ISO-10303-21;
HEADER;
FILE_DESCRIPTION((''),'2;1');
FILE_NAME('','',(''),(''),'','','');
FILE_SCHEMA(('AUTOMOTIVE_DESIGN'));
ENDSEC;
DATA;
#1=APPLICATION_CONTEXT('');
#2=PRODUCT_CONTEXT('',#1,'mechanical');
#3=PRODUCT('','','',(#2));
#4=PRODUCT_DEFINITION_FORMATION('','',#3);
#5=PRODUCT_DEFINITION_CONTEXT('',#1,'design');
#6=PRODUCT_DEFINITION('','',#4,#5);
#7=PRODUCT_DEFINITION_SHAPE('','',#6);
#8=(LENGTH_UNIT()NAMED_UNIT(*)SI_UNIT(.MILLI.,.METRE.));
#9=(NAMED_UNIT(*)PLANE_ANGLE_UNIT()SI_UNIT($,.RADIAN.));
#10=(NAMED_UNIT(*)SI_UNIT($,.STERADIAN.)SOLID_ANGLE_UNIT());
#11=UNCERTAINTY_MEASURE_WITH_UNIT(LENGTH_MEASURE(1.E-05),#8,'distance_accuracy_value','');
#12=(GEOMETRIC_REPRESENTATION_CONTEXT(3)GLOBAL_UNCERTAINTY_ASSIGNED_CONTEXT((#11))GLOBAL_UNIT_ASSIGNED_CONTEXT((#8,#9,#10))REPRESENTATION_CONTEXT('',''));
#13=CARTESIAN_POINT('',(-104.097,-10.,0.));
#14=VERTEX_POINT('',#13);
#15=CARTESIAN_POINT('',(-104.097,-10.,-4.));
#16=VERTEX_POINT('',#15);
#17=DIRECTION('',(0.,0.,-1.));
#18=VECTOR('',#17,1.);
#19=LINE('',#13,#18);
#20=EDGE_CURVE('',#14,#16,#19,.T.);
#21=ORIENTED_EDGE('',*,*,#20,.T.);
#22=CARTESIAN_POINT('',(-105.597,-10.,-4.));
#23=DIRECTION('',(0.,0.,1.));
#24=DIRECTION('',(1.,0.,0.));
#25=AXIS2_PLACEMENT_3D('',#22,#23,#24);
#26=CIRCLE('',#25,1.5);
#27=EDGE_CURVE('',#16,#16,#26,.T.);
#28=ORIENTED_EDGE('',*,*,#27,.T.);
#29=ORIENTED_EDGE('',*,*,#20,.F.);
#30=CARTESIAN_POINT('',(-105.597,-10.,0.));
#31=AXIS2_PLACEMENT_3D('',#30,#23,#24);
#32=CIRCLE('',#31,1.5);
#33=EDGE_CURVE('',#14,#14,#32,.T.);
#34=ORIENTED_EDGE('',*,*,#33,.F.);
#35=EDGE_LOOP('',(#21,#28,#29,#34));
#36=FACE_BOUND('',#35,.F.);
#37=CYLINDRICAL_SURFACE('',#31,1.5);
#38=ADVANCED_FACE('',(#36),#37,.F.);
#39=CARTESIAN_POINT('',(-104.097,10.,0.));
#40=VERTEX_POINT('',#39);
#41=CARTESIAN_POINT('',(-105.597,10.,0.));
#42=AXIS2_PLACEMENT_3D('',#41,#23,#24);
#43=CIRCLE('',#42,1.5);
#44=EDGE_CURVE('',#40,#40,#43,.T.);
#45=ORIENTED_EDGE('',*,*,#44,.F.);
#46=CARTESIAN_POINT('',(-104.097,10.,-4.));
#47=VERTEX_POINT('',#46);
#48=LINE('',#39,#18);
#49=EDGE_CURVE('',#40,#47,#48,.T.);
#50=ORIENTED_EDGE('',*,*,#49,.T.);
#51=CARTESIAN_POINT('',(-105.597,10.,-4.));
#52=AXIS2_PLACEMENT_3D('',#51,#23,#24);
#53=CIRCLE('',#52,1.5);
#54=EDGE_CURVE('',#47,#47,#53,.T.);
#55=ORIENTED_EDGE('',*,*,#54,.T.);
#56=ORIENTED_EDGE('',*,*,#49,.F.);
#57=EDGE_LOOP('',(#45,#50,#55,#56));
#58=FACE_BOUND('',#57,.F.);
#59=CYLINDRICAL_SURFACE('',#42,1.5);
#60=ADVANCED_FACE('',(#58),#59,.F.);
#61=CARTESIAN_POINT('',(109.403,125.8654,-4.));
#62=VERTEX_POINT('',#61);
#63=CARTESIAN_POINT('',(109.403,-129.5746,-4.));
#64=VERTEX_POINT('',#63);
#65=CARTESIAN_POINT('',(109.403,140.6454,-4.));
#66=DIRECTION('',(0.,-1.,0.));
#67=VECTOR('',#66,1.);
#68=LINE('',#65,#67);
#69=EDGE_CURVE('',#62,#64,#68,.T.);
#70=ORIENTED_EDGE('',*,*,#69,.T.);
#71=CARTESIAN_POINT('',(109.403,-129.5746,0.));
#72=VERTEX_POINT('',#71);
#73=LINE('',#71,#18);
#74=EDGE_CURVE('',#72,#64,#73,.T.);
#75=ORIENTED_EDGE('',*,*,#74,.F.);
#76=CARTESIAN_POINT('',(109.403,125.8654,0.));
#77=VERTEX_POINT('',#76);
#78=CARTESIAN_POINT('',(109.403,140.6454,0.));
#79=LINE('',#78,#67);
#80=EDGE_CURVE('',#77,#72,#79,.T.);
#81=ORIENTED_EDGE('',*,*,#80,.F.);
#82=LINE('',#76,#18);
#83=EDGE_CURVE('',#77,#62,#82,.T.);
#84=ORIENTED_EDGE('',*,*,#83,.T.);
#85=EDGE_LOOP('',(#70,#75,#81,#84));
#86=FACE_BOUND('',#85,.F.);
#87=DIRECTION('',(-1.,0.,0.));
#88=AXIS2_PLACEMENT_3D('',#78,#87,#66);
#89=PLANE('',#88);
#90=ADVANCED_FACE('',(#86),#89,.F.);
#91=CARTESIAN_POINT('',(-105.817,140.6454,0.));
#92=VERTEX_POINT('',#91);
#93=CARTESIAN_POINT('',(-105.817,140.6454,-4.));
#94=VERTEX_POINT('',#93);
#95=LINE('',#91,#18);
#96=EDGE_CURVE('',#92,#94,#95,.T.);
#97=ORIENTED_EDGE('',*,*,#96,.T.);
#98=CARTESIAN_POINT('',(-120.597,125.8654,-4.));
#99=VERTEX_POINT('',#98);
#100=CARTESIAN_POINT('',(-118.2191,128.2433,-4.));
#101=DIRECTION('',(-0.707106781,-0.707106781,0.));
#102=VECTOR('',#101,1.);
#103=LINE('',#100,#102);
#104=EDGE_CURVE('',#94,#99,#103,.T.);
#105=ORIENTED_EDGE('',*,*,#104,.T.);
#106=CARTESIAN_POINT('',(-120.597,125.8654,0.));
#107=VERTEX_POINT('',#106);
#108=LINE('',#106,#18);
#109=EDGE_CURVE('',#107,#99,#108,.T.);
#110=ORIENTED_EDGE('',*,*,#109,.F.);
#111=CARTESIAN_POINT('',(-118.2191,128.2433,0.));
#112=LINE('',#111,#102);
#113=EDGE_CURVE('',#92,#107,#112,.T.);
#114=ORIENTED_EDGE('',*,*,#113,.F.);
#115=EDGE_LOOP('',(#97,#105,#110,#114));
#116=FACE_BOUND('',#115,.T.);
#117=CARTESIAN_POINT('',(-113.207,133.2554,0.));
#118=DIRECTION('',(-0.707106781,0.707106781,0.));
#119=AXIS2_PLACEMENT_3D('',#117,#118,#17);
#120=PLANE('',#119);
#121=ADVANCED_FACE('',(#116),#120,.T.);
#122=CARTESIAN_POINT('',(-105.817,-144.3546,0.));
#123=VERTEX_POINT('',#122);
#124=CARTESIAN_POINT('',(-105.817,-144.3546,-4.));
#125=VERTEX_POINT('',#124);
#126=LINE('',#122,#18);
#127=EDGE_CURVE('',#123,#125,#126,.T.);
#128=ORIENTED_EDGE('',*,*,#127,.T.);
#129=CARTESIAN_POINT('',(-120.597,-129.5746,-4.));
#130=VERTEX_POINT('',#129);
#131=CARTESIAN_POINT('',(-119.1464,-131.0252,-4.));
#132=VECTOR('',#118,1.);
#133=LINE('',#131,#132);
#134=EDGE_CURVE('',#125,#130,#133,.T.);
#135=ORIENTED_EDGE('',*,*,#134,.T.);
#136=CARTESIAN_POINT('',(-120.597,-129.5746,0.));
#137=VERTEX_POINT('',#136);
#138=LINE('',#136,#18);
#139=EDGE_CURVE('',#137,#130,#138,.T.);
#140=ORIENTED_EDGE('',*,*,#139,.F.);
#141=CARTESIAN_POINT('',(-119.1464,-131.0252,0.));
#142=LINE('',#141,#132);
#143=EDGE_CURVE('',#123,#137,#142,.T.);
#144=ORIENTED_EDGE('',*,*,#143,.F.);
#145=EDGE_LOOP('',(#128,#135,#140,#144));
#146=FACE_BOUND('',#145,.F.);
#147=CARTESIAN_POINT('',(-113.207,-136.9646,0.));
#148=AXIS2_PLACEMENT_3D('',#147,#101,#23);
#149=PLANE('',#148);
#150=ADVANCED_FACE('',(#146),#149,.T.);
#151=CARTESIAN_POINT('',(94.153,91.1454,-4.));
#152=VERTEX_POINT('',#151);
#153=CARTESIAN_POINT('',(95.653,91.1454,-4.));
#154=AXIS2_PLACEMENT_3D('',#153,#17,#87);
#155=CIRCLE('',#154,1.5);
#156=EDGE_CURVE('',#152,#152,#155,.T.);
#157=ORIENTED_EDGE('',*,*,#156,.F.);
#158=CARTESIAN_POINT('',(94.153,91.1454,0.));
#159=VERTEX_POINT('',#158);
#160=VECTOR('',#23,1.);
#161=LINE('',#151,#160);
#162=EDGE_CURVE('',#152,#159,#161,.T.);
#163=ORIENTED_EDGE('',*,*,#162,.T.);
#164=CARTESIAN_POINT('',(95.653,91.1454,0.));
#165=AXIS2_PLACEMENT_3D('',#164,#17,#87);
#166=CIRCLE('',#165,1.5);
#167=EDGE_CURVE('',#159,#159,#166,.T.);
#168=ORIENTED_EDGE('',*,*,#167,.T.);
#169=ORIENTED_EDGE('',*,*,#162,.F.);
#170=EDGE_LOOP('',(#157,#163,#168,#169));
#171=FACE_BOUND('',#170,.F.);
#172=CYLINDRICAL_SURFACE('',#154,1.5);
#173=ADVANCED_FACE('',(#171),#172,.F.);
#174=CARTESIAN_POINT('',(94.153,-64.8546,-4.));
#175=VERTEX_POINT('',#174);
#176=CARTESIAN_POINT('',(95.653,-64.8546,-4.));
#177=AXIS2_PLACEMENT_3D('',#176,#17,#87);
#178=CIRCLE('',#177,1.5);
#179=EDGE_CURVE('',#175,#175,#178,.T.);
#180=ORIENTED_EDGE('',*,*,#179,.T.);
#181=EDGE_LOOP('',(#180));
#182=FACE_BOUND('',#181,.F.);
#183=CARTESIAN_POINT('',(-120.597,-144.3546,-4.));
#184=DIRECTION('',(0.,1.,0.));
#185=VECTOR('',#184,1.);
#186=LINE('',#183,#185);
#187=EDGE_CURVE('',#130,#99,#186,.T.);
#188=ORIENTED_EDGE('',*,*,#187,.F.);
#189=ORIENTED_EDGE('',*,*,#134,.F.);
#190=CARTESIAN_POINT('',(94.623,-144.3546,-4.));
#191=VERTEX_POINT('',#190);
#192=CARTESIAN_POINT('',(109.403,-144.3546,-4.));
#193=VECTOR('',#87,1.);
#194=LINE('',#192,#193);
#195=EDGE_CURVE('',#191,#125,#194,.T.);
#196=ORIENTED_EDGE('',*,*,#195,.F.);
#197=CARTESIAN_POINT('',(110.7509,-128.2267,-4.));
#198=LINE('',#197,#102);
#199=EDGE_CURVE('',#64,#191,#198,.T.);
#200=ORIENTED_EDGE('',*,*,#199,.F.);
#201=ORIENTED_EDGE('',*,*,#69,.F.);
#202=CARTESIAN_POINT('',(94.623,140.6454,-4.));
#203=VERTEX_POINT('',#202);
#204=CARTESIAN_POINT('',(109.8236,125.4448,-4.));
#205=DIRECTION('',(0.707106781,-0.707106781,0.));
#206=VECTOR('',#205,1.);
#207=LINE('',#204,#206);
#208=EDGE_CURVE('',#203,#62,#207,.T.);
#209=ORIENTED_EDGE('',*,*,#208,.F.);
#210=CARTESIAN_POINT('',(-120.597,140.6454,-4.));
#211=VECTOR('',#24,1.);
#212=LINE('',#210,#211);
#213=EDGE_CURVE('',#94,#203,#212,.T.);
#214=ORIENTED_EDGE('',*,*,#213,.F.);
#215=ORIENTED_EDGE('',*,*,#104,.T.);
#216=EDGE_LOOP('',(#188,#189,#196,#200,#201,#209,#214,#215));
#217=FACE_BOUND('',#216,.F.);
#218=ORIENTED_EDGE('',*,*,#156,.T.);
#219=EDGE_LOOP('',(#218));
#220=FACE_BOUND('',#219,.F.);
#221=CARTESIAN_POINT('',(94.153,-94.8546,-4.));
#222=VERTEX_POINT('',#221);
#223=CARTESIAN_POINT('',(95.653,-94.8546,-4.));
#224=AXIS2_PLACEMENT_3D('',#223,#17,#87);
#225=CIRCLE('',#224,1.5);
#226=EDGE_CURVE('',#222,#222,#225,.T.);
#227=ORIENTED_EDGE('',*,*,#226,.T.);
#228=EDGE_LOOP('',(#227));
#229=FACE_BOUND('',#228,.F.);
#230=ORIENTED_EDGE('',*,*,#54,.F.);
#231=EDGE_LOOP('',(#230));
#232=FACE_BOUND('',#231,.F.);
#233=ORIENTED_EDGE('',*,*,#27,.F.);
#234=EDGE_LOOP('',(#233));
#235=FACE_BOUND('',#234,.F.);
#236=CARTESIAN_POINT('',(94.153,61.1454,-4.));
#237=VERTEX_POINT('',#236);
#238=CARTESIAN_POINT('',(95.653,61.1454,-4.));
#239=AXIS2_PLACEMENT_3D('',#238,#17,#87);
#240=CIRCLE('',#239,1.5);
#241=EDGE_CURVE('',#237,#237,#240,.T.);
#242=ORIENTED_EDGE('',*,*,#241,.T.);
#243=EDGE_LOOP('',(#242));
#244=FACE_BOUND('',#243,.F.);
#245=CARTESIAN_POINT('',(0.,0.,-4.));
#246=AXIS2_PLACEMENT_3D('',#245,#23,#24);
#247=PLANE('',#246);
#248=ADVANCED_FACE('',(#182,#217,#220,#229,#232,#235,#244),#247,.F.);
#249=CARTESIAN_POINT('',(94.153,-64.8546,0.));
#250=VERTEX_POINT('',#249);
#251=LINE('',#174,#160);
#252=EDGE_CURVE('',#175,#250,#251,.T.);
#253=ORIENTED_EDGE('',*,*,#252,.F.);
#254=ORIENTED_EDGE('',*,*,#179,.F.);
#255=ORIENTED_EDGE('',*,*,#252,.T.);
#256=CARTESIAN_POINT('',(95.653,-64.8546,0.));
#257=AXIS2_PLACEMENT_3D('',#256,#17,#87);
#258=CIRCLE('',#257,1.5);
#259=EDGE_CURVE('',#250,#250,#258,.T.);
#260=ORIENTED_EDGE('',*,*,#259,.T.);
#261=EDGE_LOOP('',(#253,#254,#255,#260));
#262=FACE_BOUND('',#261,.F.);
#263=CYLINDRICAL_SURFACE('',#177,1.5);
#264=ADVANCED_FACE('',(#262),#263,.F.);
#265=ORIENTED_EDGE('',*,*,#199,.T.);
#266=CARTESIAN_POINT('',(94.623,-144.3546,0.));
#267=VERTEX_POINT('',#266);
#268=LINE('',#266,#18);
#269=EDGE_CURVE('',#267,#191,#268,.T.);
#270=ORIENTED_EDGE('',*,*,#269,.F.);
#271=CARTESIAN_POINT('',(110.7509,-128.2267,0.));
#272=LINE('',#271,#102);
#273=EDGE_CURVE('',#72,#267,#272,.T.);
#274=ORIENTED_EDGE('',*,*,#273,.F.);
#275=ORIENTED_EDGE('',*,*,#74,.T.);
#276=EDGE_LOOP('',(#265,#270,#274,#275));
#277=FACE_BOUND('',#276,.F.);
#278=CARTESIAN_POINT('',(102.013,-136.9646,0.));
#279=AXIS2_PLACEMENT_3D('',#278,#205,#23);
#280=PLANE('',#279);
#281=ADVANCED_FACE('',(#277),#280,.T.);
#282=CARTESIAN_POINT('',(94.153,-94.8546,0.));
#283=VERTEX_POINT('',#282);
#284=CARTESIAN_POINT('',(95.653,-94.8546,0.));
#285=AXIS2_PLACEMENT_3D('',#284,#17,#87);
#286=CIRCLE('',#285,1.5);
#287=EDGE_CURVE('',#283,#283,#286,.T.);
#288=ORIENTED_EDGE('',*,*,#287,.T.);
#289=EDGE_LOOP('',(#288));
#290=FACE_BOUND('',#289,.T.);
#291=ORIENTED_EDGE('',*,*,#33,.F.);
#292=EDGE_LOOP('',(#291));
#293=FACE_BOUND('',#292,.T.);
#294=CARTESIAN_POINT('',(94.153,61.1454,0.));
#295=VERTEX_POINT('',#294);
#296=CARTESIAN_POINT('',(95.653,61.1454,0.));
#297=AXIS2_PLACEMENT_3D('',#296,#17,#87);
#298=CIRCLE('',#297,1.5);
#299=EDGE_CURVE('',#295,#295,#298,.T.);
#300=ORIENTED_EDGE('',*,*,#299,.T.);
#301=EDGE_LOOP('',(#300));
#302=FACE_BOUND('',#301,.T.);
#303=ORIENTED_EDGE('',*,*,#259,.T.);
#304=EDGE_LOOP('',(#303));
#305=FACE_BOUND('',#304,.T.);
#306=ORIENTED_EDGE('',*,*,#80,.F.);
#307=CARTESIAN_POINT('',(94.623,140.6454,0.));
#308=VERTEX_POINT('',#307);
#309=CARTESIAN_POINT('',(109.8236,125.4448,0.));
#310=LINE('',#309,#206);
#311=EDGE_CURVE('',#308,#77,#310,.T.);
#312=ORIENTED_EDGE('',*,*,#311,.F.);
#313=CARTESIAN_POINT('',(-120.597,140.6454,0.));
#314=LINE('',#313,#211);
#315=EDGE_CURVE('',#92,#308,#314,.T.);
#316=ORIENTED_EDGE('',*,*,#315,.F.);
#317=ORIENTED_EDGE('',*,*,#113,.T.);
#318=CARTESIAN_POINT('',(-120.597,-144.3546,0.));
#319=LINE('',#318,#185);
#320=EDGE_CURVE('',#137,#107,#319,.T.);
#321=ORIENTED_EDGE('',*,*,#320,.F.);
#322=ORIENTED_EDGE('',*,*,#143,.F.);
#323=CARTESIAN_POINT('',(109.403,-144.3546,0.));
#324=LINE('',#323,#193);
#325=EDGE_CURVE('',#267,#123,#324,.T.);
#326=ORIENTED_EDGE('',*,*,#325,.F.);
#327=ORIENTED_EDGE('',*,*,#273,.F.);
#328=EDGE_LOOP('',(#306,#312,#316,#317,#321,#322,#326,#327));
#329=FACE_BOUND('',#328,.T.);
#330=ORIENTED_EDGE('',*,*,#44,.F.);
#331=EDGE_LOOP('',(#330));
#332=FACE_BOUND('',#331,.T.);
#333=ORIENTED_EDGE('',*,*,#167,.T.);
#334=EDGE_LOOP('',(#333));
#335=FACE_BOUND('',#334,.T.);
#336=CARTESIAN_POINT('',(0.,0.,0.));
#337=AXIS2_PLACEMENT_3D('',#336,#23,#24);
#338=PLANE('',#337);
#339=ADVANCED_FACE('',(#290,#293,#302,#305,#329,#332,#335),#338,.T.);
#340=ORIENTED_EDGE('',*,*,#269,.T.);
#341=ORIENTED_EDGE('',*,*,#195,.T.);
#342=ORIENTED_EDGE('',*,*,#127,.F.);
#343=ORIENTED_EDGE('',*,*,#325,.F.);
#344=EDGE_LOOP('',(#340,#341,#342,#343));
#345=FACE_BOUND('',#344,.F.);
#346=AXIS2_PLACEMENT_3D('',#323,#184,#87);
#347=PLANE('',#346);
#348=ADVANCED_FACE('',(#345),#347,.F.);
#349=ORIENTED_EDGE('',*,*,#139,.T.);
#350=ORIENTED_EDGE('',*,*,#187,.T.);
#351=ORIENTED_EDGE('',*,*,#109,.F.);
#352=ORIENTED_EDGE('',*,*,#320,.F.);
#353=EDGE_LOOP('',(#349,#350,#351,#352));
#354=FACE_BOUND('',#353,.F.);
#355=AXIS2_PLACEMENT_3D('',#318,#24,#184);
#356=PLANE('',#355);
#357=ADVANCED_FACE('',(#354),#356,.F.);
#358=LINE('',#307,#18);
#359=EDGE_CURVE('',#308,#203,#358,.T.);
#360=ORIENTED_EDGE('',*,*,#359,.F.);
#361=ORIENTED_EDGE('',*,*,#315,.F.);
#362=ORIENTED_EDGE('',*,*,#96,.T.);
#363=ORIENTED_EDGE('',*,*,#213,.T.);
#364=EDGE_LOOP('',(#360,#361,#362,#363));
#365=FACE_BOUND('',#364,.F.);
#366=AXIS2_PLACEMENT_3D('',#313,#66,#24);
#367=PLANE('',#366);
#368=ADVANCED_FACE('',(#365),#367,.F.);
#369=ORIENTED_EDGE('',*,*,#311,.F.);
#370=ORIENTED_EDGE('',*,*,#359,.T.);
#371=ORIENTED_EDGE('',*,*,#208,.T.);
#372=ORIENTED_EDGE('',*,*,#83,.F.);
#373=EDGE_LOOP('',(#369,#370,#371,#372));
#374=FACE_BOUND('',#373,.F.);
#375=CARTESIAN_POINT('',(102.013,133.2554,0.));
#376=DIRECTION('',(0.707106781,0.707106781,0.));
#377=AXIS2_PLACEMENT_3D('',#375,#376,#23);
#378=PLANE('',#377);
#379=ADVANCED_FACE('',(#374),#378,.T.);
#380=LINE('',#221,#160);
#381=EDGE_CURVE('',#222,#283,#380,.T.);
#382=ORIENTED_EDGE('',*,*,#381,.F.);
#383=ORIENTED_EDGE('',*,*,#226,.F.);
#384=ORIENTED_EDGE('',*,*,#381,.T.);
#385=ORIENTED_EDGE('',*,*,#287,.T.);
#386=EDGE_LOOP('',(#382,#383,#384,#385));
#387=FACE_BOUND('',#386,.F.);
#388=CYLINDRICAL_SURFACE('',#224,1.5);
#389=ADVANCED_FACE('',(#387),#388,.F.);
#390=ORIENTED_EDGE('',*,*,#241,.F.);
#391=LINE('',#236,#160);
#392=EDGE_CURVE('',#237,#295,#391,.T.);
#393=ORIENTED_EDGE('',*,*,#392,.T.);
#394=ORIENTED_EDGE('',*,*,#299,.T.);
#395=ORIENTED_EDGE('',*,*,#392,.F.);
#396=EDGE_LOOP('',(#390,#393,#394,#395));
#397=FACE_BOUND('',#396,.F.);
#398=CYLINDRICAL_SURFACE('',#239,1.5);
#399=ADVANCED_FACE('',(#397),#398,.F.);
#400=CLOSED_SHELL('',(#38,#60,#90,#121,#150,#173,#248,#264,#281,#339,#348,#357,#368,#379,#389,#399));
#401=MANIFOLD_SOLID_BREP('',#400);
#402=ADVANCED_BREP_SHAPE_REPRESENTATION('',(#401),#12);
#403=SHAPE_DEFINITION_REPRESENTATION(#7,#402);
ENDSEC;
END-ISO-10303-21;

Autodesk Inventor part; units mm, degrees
ref_plane "YZ Plane" through (0, 0, 0) normal (1, 0, 0) x (0, 1, 0)
ref_plane "XZ Plane" through (0, 0, 0) normal (0, 1, 0) x (-1, 0, 0)
ref_plane "XY Plane" through (0, 0, 0) normal (0, 0, 1) x (1, 0, 0)
sketch "Эскиз1" plane through (0, 0, 0) normal (0, 0, 1) x (1, 0, 0)
  line L0 (-168.7947, 191.7053) -> (-168.7947, -196.2947) projected
  line L1 (-168.7947, -196.2947) -> (170.2053, -196.2947) projected
  line L2 (170.2053, -196.2947) -> (170.2053, 191.7053) projected
  line L3 (170.2053, 191.7053) -> (-168.7947, 191.7053) projected
  line L4 (-120.597, 140.6454) -> (109.403, 140.6454)
  line L5 (109.403, 140.6454) -> (109.403, -144.3546)
  line L6 (109.403, -144.3546) -> (-120.597, -144.3546)
  line L7 (-120.597, -144.3546) -> (-120.597, 140.6454)
  line L8 (109.903, 141.1454) -> (109.903, -144.8546) projected
  line L9 (109.903, -144.8546) -> (-121.097, -144.8546) projected
  line L10 (-121.097, -144.8546) -> (-121.097, 141.1454) projected
  line L11 (-121.097, 141.1454) -> (109.903, 141.1454) projected
  line L12 (170.903, -196.8546) -> (170.903, 193.1454) projected
  line L13 (170.903, 193.1454) -> (-173.097, 193.1454) projected
  line L14 (-173.097, 193.1454) -> (-173.097, -196.8546) projected
  line L15 (-173.097, -196.8546) -> (170.903, -196.8546) projected
  point P0 (0, 0)
  dimension "d6" = 0.5
  dimension "d7" = 0.5
  dimension "d8" = 0.5
  dimension "d9" = 0.5
extrude "Выдавливание1" add sketch "Эскиз1" against normal blind 4 contours L4 L5 L6 L7
chamfer "Фаска1" distance 14.78 angle 45 4 edges at (-120.597, -144.3546, -2) (109.403, -144.3546, -2) (109.403, 140.6454, -2) (-120.597, 140.6454, -2)
sketch "Эскиз2" plane through (0, 0, -4) normal (0, 0, -1) x (-1, 0, 0)
  circle A0 centre (-95.653, -94.8546) radius 1.5 projected
  circle A1 centre (-95.653, -64.8546) radius 1.5 projected
  circle A2 centre (-95.653, 61.1454) radius 1.5 projected
  circle A3 centre (-95.653, 91.1454) radius 1.5 projected
  line L0 (-109.403, 125.8654) -> (-109.403, -129.5746) projected
  point P0 (0, 0)
  dimension "d13" = 3
  dimension "d16" = 30
  dimension "d17" = 13.75
extrude "Выдавливание2" cut sketch "Эскиз2" against normal blind 10
sketch "Эскиз3" plane through (0, 0, 0) normal (0, 0, 1) x (1, 0, 0)
  line L0 (0, 0) -> (-163.3062, 0) construction
  circle A0 centre (-105.597, -10) radius 1.5
  circle A1 centre (-105.597, 10) radius 1.5
  line L1 (-120.597, -129.5746) -> (-120.597, 125.8654) projected
  dimension "d18" = 3
  dimension "d19" = 3
  dimension "d20" = 20
  dimension "d21" = 15
extrude "Выдавливание3" cut sketch "Эскиз3" against normal blind 10
properties part number "крышка 2"
